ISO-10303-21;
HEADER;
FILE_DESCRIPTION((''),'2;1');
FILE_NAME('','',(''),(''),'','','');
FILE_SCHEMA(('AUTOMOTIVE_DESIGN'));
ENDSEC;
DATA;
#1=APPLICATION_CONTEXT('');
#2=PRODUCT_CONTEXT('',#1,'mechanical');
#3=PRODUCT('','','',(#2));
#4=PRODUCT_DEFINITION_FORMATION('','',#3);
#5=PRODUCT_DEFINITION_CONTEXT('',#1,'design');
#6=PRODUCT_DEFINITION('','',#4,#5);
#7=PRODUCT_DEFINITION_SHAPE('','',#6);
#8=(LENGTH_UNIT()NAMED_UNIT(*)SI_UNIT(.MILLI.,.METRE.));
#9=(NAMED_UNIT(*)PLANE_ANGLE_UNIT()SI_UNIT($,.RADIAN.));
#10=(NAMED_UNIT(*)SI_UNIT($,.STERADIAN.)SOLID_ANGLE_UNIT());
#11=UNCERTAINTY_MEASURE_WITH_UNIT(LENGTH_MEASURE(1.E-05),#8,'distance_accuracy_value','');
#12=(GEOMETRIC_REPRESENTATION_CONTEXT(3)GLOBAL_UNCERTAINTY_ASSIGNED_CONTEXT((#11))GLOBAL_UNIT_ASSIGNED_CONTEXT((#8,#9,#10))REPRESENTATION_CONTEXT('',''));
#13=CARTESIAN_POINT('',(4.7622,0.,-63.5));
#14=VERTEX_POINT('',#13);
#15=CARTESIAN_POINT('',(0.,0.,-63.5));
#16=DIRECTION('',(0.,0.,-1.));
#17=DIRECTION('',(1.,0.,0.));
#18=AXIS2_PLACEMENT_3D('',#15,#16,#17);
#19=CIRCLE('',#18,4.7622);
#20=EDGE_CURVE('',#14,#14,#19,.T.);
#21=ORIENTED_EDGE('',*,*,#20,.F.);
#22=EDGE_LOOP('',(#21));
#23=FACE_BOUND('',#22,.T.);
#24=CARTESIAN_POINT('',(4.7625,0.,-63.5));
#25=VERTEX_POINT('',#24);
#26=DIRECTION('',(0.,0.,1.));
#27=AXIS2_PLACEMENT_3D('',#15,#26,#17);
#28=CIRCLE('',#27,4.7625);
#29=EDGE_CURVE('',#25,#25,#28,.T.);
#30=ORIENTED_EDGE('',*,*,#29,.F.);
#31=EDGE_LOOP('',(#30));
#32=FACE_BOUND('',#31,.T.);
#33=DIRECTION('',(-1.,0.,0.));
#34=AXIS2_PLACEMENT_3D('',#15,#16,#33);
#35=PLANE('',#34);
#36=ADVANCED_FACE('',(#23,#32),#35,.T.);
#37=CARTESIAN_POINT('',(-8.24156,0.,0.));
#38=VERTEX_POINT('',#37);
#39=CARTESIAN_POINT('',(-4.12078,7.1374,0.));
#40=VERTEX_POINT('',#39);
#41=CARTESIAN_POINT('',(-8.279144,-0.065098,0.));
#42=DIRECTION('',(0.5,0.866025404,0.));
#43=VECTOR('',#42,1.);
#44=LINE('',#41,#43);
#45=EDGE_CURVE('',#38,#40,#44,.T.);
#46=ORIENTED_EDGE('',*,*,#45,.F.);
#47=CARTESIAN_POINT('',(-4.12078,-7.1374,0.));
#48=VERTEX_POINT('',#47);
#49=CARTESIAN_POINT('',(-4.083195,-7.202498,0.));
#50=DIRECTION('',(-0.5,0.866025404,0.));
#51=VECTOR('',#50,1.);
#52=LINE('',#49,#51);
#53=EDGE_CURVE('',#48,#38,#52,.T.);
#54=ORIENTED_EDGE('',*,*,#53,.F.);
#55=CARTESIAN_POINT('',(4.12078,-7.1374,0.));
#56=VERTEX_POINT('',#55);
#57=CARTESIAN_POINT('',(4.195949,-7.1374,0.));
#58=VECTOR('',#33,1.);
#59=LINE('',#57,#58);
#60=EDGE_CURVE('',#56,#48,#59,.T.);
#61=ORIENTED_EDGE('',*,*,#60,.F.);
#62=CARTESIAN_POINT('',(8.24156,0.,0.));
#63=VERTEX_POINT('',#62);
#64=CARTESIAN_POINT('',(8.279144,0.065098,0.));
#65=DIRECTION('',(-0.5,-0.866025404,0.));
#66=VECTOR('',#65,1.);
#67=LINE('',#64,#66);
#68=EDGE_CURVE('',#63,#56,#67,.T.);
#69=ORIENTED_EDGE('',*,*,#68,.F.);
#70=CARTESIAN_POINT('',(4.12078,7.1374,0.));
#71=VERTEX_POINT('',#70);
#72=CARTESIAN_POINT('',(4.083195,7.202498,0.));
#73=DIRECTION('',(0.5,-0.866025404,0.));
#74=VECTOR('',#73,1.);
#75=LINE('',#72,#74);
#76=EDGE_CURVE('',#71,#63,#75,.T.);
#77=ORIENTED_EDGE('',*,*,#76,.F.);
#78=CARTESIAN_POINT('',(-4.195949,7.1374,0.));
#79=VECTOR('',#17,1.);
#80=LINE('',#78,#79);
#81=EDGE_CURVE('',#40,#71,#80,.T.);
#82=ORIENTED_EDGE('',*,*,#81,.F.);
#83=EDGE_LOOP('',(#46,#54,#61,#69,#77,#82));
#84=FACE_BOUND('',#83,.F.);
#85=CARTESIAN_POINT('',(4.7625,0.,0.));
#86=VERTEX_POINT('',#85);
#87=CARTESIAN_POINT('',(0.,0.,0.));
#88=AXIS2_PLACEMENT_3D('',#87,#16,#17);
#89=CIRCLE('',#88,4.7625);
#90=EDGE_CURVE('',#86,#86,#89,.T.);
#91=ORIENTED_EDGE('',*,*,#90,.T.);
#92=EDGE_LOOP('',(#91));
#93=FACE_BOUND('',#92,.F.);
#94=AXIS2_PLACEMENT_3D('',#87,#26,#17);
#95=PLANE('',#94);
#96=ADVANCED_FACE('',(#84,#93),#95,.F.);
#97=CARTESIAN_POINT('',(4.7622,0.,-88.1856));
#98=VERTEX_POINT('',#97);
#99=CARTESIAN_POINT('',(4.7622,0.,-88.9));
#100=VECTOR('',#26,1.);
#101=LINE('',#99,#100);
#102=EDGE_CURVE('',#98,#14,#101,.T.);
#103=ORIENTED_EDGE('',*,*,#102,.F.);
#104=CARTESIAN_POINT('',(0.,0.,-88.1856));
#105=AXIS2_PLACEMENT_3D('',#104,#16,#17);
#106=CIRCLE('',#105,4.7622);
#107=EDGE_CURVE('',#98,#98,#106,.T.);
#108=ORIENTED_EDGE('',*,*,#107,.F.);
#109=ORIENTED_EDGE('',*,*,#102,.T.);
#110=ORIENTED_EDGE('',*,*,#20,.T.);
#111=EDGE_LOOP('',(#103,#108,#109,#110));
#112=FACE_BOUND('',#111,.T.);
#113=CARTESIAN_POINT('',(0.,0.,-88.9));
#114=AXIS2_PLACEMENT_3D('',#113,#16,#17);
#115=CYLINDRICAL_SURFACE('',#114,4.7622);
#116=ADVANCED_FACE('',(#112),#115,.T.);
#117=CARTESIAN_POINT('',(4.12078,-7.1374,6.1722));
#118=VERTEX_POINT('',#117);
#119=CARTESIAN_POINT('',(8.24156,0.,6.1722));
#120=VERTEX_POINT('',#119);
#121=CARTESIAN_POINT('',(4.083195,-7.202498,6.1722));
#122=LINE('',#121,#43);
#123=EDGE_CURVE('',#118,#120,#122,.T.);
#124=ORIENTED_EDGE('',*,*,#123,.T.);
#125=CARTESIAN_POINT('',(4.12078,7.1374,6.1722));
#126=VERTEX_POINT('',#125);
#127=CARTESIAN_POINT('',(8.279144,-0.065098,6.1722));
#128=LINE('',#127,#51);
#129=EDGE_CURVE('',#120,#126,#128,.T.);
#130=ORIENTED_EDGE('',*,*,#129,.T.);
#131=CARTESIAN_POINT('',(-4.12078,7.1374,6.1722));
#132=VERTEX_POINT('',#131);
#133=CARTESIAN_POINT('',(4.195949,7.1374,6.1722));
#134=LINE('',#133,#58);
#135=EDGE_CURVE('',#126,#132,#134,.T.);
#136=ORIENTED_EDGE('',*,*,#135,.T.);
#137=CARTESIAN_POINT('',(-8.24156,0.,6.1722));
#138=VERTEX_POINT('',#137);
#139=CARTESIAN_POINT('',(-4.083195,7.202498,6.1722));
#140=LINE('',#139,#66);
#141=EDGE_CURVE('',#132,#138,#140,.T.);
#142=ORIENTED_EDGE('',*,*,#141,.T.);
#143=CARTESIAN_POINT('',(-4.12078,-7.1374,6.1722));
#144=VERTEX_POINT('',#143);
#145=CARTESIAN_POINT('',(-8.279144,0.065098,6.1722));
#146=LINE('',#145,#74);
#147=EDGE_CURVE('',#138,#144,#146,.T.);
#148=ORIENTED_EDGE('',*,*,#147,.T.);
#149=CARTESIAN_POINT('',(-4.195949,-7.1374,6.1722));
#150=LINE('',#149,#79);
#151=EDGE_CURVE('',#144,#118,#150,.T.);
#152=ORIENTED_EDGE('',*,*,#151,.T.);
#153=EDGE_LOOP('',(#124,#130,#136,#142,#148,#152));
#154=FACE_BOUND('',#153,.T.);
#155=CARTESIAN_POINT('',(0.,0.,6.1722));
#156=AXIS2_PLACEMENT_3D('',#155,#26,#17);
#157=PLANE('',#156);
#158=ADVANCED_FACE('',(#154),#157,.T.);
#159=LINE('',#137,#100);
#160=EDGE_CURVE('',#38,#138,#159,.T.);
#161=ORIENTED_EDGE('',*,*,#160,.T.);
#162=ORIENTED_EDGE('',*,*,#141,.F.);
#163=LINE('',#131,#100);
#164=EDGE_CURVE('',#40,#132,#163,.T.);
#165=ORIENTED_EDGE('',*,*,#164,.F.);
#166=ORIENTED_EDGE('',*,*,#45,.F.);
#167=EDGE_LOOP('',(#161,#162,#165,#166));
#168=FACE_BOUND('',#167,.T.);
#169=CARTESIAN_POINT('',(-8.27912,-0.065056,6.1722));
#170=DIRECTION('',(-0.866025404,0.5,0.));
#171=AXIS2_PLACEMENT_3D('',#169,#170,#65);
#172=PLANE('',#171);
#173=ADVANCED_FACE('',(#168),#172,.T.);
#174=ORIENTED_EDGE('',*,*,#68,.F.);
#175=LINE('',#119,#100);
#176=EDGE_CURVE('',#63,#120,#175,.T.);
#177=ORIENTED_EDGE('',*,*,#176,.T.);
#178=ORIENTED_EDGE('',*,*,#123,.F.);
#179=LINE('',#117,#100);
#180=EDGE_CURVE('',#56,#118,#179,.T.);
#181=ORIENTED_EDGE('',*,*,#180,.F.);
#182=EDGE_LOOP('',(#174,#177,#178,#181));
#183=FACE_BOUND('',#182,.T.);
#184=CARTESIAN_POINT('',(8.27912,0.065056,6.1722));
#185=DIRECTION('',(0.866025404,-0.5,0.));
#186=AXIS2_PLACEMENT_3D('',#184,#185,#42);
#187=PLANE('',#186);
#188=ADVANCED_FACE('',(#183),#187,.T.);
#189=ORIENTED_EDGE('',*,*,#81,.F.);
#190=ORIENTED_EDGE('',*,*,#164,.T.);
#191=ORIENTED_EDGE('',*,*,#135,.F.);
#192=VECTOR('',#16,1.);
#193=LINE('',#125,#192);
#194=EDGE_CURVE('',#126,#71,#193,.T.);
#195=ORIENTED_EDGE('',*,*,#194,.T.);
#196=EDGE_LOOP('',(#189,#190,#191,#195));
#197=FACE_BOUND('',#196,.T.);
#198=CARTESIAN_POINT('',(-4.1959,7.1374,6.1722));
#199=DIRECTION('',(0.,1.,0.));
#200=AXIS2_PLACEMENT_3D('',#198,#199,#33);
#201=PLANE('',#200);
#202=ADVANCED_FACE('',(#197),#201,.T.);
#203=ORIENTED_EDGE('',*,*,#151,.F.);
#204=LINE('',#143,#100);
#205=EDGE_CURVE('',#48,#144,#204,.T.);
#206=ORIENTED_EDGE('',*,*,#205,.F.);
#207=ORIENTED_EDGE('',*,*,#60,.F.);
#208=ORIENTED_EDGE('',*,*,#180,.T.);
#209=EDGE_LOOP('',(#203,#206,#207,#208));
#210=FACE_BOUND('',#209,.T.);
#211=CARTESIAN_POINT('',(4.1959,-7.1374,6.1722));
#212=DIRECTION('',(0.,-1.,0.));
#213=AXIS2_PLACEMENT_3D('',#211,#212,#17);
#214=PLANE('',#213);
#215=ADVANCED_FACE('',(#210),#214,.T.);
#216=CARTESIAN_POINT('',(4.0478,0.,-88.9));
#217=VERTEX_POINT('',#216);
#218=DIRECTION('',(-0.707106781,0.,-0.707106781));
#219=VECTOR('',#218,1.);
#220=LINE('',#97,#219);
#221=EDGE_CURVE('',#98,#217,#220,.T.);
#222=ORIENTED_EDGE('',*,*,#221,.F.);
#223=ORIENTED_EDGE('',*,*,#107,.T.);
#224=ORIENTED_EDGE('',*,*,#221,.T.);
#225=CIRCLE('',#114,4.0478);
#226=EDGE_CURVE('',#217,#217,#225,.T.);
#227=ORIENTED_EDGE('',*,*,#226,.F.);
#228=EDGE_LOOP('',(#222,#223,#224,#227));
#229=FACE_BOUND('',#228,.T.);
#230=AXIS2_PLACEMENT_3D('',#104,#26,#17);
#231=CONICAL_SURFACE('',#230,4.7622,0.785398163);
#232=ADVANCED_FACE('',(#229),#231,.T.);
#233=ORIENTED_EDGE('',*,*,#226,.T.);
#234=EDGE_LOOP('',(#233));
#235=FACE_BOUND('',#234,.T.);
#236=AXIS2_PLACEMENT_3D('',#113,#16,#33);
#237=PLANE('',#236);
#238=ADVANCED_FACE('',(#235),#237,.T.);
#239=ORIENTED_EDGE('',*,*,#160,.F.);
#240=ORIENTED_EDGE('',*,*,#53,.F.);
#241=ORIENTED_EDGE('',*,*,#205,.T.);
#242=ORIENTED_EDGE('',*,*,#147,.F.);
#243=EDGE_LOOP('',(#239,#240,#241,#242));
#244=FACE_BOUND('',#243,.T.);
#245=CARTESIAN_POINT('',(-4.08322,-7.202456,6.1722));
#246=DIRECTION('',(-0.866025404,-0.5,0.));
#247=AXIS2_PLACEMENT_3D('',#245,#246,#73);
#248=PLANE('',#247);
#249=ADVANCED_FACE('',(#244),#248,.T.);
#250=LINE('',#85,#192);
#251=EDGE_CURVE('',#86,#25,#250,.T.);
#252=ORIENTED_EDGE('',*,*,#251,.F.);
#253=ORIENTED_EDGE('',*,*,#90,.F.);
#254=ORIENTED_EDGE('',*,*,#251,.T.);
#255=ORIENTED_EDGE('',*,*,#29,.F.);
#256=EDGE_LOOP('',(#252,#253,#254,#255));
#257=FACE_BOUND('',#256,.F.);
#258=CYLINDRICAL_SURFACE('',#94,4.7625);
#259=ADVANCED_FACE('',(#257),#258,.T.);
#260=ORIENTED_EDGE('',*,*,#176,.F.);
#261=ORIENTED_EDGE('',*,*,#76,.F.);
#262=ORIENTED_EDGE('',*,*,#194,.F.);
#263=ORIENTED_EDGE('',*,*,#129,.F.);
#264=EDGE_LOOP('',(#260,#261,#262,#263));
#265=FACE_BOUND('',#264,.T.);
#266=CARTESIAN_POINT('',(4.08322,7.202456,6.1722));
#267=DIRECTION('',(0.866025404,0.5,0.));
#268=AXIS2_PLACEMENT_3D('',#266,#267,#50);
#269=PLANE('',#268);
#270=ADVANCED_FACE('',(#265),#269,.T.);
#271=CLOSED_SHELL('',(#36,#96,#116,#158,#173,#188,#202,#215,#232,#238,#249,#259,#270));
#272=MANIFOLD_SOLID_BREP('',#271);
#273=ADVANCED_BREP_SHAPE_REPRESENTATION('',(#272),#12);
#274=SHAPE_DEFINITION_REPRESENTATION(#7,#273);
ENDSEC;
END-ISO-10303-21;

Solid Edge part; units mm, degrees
sketch "Sketch1" plane through (0, 0, 0) normal (0, 0, 1) x (1, 0, 0)
  circle A0 centre (0, 0) radius 8.2794
  dimension "D1" = 16.5588
extrude "Protrusion1" add sketch "Sketch1" along normal blind 6.1722
sketch "Sketch2" plane through (0, 0, 0) normal (0, 0, -1) x (1, 0, 0)
  circle A0 centre (0, 0) radius 4.7625
extrude "Protrusion2" add sketch "Sketch2" along normal blind 88.9
sketch "Sketch3" plane through (0, 0, -88.9) normal (0, 0, -1) x (1, 0, 0)
  circle A0 centre (0, 0) radius 4.7622
extrude "Cutout1" cut sketch "Sketch3" against normal blind 25.4 flip side to cut
chamfer "Chamfer_1" distance 0.7144 angle 45 1 edges at (-4.7622, 0, -88.9)
sketch "Sketch4" plane through (0, 0, 6.1722) normal (0, 0, 1) x (1, 0, 0)
  line L0 (-4.1959, 7.1374) -> (4.1959, 7.1374)
  dimension "D1" = 14.2748
extrude "Cutout2" cut sketch "Sketch4" against normal up to next material side at (0, 7.1874, 6.1722)
pattern_circular "Pattern1" count 6 over 360 about axis through (0, 0, 6.1722) along (0, 0, 1) of "Cutout2"
properties part number "24100019"
